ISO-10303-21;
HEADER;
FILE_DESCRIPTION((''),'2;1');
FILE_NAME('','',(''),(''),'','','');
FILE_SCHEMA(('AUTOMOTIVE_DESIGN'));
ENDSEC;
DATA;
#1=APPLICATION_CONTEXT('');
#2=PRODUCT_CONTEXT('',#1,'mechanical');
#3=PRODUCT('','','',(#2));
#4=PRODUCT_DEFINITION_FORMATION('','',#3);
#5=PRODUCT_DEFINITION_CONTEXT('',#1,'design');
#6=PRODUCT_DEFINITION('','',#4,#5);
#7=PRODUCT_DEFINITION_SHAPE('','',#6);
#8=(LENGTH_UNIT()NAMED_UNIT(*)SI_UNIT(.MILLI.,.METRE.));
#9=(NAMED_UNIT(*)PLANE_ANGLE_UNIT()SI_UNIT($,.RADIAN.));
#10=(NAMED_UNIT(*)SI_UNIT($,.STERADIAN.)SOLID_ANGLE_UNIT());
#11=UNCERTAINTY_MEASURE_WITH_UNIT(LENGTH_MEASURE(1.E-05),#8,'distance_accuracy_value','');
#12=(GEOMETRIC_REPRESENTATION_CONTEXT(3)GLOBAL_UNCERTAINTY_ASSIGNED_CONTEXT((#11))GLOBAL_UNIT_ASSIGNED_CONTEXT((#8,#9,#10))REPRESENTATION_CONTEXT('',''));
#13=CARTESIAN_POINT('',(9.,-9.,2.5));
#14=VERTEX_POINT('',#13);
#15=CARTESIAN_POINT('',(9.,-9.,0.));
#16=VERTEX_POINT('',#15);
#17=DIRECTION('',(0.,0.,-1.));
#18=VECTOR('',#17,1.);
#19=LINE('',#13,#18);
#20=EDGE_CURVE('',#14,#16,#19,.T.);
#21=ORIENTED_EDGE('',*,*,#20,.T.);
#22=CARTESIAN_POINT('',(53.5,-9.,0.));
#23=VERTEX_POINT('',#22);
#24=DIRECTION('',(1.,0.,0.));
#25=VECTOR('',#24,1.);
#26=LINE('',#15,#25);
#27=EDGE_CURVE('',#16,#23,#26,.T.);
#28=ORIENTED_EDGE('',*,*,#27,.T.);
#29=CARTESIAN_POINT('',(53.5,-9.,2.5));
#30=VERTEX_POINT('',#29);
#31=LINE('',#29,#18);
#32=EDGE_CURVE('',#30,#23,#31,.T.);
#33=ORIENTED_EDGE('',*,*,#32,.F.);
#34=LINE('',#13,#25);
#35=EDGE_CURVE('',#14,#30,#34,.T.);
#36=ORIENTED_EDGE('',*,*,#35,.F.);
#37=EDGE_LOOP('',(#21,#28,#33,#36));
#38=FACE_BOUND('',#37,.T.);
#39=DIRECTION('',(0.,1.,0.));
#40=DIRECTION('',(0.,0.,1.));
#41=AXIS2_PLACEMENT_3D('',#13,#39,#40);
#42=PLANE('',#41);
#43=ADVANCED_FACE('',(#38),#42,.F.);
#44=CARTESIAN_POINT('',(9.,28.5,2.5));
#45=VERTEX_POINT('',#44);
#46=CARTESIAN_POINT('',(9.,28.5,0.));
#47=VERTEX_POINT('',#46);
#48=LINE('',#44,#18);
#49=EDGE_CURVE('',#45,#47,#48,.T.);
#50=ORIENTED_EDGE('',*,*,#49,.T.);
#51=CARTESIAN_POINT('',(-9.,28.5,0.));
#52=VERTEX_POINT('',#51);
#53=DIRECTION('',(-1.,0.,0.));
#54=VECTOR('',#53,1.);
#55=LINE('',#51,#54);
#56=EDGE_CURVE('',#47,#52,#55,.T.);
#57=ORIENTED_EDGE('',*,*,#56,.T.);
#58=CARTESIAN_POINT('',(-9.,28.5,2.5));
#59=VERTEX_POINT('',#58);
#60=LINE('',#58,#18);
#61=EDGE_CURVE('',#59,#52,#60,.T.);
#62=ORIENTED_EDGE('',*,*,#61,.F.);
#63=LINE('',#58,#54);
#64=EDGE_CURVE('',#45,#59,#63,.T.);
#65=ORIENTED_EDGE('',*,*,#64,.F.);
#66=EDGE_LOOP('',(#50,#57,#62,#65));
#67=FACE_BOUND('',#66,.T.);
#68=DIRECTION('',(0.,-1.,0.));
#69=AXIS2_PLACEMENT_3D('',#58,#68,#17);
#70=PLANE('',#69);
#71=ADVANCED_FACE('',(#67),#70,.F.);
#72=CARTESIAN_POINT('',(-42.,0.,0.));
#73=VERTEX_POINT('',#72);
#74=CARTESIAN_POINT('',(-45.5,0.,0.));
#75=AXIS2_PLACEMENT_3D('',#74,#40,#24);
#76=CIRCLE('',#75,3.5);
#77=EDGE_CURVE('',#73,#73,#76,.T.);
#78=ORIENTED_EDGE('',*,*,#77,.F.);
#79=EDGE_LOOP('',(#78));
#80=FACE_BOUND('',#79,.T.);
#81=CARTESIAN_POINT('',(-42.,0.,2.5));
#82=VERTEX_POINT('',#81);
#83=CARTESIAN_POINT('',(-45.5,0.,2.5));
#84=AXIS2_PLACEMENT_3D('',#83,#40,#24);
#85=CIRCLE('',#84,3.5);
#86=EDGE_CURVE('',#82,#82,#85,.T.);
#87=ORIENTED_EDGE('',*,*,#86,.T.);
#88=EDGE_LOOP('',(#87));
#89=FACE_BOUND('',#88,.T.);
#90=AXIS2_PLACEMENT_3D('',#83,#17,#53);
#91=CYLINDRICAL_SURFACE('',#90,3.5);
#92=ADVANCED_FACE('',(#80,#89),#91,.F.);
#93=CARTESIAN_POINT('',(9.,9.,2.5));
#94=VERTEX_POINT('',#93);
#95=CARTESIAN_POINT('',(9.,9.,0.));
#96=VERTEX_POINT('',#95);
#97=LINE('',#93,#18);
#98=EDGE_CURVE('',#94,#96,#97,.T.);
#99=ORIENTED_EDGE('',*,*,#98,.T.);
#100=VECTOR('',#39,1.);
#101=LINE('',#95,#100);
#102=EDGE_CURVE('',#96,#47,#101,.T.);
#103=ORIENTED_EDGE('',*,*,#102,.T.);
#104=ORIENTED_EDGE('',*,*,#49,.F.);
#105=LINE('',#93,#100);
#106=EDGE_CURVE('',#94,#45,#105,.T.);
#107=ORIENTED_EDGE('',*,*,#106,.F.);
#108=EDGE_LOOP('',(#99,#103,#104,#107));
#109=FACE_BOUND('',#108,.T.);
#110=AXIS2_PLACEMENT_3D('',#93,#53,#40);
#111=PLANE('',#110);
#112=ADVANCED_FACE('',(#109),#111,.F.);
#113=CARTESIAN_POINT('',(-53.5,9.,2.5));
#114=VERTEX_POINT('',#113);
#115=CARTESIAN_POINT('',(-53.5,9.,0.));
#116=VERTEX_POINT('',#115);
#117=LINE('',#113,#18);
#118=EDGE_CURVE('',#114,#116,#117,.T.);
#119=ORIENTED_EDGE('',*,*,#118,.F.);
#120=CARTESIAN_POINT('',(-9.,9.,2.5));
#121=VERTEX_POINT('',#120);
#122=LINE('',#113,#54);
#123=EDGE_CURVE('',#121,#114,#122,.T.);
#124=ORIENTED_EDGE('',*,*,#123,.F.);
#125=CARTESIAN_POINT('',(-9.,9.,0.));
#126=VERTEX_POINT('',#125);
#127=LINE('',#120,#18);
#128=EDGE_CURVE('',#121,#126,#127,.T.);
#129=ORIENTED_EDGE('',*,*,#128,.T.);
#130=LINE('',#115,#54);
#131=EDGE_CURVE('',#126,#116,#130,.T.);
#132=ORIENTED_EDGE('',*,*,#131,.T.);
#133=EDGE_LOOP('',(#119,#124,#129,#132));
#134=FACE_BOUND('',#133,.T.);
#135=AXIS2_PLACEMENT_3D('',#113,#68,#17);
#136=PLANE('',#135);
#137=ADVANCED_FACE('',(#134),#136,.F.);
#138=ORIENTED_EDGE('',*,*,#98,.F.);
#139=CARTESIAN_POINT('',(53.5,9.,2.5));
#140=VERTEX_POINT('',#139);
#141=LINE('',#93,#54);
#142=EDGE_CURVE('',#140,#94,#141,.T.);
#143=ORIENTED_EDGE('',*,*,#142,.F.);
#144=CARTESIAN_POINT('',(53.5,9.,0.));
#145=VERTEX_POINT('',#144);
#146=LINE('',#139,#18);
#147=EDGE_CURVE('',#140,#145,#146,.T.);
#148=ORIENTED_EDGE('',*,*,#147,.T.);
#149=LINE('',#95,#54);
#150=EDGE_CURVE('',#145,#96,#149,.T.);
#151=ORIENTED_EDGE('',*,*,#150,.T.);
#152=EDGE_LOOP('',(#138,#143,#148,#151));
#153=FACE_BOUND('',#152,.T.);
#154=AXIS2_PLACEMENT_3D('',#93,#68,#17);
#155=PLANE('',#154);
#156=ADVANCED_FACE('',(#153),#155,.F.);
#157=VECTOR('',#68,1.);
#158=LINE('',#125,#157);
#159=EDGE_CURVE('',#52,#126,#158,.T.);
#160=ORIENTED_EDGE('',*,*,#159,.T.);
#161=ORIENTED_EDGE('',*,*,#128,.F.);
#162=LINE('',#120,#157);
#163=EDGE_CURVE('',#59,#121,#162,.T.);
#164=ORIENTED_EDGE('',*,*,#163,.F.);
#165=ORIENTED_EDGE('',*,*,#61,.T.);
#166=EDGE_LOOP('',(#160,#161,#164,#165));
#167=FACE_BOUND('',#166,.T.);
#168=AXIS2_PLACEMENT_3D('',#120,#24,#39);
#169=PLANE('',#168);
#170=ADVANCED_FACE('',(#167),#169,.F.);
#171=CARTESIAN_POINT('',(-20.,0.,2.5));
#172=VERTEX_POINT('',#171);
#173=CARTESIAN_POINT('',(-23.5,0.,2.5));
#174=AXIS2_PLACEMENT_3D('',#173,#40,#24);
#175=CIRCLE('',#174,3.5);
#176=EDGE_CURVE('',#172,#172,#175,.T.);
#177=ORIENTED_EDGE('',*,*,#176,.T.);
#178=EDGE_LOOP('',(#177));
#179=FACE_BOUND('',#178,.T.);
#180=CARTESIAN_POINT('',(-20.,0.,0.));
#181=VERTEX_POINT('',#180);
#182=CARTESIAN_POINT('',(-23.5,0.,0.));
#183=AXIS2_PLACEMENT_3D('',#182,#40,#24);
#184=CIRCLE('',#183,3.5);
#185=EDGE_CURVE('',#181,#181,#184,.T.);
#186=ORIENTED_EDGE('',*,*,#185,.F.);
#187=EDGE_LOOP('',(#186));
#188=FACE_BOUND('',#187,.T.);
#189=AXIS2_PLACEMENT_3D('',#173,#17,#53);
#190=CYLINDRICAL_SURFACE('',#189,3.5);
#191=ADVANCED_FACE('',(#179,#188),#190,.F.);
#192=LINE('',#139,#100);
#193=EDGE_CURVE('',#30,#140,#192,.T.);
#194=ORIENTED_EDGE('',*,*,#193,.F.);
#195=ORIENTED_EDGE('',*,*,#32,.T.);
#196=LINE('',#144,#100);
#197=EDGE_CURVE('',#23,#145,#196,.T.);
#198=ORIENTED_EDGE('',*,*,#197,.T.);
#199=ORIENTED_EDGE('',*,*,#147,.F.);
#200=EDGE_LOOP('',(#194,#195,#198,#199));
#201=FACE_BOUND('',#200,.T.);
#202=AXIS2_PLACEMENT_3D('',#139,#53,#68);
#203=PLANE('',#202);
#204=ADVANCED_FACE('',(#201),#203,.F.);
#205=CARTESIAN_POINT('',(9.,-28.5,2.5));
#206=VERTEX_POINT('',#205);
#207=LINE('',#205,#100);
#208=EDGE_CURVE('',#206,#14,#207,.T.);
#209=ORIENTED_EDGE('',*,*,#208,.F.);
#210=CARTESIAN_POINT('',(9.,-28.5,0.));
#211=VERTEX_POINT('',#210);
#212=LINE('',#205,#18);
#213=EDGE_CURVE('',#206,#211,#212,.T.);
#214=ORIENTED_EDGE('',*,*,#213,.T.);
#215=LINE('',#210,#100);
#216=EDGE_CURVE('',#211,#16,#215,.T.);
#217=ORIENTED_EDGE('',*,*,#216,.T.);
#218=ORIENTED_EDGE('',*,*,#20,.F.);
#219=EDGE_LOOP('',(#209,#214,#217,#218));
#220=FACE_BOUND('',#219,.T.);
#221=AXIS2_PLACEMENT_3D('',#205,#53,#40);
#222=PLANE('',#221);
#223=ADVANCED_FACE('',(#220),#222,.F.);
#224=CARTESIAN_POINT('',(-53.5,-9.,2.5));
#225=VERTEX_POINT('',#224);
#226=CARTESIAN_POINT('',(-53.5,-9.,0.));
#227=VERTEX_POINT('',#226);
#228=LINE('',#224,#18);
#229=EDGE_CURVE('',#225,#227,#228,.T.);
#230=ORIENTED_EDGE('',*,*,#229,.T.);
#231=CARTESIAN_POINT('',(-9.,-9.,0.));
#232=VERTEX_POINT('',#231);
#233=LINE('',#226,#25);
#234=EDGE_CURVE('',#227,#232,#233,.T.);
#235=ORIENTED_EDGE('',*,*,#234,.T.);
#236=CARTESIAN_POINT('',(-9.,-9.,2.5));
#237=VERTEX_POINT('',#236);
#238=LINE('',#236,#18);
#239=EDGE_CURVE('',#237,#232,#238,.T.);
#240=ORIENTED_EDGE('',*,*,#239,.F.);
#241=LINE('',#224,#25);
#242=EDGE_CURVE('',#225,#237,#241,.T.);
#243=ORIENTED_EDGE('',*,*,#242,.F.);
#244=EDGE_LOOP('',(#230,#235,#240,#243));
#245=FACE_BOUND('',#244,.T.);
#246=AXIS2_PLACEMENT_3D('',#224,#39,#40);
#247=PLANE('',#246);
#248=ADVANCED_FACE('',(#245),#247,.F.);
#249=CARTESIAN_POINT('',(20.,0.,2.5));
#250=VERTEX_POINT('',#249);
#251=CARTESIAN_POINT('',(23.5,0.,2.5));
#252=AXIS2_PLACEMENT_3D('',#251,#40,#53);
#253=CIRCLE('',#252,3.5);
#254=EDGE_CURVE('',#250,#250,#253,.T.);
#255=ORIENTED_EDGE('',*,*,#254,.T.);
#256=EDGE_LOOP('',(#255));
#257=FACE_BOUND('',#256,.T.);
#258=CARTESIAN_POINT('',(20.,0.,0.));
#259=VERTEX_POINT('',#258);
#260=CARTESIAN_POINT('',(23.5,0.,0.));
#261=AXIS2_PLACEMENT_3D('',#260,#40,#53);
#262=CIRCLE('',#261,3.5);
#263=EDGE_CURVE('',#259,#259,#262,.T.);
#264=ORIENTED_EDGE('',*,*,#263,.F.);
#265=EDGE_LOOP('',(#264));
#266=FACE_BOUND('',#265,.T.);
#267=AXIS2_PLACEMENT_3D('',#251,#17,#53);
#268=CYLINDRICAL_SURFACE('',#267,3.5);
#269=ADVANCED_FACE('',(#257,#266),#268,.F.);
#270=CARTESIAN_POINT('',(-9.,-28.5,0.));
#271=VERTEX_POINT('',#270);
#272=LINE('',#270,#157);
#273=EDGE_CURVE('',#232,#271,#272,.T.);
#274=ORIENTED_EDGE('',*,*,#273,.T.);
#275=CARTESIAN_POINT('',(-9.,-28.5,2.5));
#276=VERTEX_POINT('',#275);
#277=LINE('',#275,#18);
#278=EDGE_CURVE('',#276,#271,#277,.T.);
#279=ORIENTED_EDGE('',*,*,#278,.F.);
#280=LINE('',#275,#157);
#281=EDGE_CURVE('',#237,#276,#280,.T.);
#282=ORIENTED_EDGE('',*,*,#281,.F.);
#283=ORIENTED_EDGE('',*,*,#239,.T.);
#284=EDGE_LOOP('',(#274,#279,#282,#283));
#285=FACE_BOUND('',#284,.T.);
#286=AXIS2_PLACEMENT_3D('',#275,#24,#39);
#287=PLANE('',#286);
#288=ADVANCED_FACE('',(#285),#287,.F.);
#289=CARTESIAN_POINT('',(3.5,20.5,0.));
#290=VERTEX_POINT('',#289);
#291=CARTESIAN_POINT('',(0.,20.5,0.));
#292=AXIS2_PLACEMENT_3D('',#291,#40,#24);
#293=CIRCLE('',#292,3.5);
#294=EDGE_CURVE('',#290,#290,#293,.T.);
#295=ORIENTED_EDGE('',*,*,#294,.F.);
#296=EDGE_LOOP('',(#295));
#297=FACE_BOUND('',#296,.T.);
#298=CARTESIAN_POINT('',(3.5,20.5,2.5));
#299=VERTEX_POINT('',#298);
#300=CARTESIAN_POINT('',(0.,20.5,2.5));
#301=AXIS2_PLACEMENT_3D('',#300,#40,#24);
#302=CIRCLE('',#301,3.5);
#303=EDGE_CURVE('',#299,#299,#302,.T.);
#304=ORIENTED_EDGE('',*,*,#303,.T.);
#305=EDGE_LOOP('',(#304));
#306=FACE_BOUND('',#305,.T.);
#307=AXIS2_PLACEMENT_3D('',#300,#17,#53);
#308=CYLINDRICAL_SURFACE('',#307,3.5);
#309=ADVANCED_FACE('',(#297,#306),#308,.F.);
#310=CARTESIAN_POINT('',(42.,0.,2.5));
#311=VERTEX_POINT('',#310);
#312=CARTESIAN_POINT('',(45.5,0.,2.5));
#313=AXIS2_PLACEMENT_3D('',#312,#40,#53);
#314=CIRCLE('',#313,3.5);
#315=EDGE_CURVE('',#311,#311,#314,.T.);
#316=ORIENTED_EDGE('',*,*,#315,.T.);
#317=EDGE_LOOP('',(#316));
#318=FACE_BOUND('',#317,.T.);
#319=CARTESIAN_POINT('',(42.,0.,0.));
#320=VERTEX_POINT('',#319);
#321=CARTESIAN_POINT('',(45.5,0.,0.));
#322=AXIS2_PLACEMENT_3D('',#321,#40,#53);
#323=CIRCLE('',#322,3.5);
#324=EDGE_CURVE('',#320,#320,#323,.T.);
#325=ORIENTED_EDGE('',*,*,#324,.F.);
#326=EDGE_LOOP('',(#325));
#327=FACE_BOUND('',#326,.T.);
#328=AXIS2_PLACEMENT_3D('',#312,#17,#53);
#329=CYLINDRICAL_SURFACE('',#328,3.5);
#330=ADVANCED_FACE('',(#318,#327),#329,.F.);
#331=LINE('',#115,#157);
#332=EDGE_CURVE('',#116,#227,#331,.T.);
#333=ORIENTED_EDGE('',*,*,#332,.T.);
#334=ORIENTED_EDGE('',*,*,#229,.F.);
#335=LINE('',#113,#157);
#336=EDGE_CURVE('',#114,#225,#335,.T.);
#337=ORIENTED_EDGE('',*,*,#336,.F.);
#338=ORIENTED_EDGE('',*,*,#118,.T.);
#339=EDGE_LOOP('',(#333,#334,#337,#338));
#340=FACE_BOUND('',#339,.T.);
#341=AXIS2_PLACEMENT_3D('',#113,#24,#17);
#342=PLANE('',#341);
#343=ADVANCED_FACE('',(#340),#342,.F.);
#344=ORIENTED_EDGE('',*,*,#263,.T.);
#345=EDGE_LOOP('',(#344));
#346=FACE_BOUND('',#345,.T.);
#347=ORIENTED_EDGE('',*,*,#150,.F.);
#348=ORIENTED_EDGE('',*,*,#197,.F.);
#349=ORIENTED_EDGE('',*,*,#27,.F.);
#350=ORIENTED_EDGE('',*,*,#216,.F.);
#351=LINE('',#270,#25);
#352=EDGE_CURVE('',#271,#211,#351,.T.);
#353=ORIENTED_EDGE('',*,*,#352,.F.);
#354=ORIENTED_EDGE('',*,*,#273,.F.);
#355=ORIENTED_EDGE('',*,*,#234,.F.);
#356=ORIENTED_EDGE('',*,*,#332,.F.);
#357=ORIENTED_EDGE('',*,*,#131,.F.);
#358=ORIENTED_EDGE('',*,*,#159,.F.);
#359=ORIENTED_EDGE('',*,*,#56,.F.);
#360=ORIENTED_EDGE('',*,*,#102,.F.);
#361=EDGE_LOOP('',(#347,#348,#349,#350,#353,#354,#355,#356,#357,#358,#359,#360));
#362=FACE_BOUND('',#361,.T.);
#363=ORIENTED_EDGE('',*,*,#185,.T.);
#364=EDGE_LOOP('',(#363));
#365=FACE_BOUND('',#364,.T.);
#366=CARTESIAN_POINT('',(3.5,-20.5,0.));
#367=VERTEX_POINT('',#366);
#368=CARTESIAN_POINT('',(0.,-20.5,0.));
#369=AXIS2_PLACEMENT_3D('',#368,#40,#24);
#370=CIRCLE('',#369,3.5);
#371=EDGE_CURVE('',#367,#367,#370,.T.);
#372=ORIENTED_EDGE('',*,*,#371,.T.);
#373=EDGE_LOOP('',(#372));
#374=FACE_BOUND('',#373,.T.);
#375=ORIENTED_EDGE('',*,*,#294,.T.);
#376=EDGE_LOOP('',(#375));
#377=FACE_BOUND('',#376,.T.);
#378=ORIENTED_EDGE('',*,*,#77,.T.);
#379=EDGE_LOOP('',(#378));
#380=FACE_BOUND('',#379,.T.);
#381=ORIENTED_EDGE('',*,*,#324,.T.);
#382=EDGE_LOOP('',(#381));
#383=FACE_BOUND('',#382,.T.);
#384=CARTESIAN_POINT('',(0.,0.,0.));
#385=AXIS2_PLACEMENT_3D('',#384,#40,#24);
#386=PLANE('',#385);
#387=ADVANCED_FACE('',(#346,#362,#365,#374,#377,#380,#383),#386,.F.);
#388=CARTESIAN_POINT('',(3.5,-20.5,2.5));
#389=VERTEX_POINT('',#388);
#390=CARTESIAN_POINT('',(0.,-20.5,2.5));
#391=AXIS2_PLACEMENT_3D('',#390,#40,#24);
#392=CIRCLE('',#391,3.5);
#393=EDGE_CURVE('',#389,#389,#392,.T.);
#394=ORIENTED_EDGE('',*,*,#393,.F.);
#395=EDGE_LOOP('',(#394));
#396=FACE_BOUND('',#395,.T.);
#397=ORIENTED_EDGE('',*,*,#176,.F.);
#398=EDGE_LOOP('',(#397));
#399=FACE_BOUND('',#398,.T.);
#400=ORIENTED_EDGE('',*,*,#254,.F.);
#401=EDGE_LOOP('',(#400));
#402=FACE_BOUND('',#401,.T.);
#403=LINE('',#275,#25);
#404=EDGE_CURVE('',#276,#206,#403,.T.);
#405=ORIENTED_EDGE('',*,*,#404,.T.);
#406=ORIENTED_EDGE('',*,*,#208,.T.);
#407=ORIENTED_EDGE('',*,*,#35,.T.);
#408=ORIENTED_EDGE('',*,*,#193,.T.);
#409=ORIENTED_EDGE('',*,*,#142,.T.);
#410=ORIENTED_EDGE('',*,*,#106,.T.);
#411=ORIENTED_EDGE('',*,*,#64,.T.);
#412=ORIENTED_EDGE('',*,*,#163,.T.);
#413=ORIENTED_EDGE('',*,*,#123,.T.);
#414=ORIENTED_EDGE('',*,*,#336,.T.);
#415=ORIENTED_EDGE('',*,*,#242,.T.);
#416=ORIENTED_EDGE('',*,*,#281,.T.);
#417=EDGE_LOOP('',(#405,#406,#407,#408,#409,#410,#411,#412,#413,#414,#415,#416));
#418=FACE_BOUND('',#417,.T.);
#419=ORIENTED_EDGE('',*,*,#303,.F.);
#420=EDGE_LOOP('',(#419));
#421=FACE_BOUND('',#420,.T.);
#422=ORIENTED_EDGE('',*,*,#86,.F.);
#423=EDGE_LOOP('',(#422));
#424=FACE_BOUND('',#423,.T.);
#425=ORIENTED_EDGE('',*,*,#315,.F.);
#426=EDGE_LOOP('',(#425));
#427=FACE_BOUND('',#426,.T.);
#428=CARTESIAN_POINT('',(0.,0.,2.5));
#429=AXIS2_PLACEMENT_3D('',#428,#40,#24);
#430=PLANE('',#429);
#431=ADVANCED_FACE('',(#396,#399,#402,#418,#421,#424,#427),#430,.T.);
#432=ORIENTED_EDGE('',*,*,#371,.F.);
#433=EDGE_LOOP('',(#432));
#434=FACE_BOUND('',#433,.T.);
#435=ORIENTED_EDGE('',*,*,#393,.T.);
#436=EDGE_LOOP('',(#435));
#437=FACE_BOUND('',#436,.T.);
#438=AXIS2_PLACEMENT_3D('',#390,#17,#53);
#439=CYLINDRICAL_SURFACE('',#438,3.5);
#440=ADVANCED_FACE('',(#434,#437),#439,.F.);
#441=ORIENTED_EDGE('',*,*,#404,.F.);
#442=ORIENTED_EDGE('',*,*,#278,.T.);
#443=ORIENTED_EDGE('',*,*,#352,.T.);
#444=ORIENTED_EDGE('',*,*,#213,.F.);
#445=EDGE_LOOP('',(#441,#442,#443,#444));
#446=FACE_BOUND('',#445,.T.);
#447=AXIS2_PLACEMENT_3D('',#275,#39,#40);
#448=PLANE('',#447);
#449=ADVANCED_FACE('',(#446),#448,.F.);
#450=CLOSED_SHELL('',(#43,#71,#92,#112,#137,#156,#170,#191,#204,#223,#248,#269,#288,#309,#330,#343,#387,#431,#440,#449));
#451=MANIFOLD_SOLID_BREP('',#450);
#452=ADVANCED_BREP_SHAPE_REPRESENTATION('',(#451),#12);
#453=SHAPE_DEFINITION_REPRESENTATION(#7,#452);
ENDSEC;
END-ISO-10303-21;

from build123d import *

# Parameters (mm, degrees)
SKETCH_1_R      = 3.5
EXTRUDE_1_DEPTH = 2.5


with BuildPart() as part:
    # Эскиз1 → Бобышка-Вытянуть1 (new body)
    with BuildSketch(Plane.XY):
        Polygon((9, -9), (53.5, -9), (53.5, 9), (9, 9), (9, 28.5), (-9, 28.5), (-9, 9), (-53.5, 9), (-53.5, -9), (-9, -9), (-9, -28.5), (9, -28.5), align=None)
        with Locations((0, 20.5)):
            Circle(SKETCH_1_R, mode=Mode.SUBTRACT)
        with Locations((0, -20.5)):
            Circle(SKETCH_1_R, mode=Mode.SUBTRACT)
        with Locations((-45.5, 0)):
            Circle(SKETCH_1_R, mode=Mode.SUBTRACT)
        with Locations((-23.5, 0)):
            Circle(SKETCH_1_R, mode=Mode.SUBTRACT)
        with Locations(Location((23.5, 0, 0), (0, 0, 180))):  # turned: the seam where the file's is
            Circle(SKETCH_1_R, mode=Mode.SUBTRACT)
        with Locations(Location((45.5, 0, 0), (0, 0, 180))):  # turned: the seam where the file's is
            Circle(SKETCH_1_R, mode=Mode.SUBTRACT)
    extrude(amount=EXTRUDE_1_DEPTH)


solid = part.part
